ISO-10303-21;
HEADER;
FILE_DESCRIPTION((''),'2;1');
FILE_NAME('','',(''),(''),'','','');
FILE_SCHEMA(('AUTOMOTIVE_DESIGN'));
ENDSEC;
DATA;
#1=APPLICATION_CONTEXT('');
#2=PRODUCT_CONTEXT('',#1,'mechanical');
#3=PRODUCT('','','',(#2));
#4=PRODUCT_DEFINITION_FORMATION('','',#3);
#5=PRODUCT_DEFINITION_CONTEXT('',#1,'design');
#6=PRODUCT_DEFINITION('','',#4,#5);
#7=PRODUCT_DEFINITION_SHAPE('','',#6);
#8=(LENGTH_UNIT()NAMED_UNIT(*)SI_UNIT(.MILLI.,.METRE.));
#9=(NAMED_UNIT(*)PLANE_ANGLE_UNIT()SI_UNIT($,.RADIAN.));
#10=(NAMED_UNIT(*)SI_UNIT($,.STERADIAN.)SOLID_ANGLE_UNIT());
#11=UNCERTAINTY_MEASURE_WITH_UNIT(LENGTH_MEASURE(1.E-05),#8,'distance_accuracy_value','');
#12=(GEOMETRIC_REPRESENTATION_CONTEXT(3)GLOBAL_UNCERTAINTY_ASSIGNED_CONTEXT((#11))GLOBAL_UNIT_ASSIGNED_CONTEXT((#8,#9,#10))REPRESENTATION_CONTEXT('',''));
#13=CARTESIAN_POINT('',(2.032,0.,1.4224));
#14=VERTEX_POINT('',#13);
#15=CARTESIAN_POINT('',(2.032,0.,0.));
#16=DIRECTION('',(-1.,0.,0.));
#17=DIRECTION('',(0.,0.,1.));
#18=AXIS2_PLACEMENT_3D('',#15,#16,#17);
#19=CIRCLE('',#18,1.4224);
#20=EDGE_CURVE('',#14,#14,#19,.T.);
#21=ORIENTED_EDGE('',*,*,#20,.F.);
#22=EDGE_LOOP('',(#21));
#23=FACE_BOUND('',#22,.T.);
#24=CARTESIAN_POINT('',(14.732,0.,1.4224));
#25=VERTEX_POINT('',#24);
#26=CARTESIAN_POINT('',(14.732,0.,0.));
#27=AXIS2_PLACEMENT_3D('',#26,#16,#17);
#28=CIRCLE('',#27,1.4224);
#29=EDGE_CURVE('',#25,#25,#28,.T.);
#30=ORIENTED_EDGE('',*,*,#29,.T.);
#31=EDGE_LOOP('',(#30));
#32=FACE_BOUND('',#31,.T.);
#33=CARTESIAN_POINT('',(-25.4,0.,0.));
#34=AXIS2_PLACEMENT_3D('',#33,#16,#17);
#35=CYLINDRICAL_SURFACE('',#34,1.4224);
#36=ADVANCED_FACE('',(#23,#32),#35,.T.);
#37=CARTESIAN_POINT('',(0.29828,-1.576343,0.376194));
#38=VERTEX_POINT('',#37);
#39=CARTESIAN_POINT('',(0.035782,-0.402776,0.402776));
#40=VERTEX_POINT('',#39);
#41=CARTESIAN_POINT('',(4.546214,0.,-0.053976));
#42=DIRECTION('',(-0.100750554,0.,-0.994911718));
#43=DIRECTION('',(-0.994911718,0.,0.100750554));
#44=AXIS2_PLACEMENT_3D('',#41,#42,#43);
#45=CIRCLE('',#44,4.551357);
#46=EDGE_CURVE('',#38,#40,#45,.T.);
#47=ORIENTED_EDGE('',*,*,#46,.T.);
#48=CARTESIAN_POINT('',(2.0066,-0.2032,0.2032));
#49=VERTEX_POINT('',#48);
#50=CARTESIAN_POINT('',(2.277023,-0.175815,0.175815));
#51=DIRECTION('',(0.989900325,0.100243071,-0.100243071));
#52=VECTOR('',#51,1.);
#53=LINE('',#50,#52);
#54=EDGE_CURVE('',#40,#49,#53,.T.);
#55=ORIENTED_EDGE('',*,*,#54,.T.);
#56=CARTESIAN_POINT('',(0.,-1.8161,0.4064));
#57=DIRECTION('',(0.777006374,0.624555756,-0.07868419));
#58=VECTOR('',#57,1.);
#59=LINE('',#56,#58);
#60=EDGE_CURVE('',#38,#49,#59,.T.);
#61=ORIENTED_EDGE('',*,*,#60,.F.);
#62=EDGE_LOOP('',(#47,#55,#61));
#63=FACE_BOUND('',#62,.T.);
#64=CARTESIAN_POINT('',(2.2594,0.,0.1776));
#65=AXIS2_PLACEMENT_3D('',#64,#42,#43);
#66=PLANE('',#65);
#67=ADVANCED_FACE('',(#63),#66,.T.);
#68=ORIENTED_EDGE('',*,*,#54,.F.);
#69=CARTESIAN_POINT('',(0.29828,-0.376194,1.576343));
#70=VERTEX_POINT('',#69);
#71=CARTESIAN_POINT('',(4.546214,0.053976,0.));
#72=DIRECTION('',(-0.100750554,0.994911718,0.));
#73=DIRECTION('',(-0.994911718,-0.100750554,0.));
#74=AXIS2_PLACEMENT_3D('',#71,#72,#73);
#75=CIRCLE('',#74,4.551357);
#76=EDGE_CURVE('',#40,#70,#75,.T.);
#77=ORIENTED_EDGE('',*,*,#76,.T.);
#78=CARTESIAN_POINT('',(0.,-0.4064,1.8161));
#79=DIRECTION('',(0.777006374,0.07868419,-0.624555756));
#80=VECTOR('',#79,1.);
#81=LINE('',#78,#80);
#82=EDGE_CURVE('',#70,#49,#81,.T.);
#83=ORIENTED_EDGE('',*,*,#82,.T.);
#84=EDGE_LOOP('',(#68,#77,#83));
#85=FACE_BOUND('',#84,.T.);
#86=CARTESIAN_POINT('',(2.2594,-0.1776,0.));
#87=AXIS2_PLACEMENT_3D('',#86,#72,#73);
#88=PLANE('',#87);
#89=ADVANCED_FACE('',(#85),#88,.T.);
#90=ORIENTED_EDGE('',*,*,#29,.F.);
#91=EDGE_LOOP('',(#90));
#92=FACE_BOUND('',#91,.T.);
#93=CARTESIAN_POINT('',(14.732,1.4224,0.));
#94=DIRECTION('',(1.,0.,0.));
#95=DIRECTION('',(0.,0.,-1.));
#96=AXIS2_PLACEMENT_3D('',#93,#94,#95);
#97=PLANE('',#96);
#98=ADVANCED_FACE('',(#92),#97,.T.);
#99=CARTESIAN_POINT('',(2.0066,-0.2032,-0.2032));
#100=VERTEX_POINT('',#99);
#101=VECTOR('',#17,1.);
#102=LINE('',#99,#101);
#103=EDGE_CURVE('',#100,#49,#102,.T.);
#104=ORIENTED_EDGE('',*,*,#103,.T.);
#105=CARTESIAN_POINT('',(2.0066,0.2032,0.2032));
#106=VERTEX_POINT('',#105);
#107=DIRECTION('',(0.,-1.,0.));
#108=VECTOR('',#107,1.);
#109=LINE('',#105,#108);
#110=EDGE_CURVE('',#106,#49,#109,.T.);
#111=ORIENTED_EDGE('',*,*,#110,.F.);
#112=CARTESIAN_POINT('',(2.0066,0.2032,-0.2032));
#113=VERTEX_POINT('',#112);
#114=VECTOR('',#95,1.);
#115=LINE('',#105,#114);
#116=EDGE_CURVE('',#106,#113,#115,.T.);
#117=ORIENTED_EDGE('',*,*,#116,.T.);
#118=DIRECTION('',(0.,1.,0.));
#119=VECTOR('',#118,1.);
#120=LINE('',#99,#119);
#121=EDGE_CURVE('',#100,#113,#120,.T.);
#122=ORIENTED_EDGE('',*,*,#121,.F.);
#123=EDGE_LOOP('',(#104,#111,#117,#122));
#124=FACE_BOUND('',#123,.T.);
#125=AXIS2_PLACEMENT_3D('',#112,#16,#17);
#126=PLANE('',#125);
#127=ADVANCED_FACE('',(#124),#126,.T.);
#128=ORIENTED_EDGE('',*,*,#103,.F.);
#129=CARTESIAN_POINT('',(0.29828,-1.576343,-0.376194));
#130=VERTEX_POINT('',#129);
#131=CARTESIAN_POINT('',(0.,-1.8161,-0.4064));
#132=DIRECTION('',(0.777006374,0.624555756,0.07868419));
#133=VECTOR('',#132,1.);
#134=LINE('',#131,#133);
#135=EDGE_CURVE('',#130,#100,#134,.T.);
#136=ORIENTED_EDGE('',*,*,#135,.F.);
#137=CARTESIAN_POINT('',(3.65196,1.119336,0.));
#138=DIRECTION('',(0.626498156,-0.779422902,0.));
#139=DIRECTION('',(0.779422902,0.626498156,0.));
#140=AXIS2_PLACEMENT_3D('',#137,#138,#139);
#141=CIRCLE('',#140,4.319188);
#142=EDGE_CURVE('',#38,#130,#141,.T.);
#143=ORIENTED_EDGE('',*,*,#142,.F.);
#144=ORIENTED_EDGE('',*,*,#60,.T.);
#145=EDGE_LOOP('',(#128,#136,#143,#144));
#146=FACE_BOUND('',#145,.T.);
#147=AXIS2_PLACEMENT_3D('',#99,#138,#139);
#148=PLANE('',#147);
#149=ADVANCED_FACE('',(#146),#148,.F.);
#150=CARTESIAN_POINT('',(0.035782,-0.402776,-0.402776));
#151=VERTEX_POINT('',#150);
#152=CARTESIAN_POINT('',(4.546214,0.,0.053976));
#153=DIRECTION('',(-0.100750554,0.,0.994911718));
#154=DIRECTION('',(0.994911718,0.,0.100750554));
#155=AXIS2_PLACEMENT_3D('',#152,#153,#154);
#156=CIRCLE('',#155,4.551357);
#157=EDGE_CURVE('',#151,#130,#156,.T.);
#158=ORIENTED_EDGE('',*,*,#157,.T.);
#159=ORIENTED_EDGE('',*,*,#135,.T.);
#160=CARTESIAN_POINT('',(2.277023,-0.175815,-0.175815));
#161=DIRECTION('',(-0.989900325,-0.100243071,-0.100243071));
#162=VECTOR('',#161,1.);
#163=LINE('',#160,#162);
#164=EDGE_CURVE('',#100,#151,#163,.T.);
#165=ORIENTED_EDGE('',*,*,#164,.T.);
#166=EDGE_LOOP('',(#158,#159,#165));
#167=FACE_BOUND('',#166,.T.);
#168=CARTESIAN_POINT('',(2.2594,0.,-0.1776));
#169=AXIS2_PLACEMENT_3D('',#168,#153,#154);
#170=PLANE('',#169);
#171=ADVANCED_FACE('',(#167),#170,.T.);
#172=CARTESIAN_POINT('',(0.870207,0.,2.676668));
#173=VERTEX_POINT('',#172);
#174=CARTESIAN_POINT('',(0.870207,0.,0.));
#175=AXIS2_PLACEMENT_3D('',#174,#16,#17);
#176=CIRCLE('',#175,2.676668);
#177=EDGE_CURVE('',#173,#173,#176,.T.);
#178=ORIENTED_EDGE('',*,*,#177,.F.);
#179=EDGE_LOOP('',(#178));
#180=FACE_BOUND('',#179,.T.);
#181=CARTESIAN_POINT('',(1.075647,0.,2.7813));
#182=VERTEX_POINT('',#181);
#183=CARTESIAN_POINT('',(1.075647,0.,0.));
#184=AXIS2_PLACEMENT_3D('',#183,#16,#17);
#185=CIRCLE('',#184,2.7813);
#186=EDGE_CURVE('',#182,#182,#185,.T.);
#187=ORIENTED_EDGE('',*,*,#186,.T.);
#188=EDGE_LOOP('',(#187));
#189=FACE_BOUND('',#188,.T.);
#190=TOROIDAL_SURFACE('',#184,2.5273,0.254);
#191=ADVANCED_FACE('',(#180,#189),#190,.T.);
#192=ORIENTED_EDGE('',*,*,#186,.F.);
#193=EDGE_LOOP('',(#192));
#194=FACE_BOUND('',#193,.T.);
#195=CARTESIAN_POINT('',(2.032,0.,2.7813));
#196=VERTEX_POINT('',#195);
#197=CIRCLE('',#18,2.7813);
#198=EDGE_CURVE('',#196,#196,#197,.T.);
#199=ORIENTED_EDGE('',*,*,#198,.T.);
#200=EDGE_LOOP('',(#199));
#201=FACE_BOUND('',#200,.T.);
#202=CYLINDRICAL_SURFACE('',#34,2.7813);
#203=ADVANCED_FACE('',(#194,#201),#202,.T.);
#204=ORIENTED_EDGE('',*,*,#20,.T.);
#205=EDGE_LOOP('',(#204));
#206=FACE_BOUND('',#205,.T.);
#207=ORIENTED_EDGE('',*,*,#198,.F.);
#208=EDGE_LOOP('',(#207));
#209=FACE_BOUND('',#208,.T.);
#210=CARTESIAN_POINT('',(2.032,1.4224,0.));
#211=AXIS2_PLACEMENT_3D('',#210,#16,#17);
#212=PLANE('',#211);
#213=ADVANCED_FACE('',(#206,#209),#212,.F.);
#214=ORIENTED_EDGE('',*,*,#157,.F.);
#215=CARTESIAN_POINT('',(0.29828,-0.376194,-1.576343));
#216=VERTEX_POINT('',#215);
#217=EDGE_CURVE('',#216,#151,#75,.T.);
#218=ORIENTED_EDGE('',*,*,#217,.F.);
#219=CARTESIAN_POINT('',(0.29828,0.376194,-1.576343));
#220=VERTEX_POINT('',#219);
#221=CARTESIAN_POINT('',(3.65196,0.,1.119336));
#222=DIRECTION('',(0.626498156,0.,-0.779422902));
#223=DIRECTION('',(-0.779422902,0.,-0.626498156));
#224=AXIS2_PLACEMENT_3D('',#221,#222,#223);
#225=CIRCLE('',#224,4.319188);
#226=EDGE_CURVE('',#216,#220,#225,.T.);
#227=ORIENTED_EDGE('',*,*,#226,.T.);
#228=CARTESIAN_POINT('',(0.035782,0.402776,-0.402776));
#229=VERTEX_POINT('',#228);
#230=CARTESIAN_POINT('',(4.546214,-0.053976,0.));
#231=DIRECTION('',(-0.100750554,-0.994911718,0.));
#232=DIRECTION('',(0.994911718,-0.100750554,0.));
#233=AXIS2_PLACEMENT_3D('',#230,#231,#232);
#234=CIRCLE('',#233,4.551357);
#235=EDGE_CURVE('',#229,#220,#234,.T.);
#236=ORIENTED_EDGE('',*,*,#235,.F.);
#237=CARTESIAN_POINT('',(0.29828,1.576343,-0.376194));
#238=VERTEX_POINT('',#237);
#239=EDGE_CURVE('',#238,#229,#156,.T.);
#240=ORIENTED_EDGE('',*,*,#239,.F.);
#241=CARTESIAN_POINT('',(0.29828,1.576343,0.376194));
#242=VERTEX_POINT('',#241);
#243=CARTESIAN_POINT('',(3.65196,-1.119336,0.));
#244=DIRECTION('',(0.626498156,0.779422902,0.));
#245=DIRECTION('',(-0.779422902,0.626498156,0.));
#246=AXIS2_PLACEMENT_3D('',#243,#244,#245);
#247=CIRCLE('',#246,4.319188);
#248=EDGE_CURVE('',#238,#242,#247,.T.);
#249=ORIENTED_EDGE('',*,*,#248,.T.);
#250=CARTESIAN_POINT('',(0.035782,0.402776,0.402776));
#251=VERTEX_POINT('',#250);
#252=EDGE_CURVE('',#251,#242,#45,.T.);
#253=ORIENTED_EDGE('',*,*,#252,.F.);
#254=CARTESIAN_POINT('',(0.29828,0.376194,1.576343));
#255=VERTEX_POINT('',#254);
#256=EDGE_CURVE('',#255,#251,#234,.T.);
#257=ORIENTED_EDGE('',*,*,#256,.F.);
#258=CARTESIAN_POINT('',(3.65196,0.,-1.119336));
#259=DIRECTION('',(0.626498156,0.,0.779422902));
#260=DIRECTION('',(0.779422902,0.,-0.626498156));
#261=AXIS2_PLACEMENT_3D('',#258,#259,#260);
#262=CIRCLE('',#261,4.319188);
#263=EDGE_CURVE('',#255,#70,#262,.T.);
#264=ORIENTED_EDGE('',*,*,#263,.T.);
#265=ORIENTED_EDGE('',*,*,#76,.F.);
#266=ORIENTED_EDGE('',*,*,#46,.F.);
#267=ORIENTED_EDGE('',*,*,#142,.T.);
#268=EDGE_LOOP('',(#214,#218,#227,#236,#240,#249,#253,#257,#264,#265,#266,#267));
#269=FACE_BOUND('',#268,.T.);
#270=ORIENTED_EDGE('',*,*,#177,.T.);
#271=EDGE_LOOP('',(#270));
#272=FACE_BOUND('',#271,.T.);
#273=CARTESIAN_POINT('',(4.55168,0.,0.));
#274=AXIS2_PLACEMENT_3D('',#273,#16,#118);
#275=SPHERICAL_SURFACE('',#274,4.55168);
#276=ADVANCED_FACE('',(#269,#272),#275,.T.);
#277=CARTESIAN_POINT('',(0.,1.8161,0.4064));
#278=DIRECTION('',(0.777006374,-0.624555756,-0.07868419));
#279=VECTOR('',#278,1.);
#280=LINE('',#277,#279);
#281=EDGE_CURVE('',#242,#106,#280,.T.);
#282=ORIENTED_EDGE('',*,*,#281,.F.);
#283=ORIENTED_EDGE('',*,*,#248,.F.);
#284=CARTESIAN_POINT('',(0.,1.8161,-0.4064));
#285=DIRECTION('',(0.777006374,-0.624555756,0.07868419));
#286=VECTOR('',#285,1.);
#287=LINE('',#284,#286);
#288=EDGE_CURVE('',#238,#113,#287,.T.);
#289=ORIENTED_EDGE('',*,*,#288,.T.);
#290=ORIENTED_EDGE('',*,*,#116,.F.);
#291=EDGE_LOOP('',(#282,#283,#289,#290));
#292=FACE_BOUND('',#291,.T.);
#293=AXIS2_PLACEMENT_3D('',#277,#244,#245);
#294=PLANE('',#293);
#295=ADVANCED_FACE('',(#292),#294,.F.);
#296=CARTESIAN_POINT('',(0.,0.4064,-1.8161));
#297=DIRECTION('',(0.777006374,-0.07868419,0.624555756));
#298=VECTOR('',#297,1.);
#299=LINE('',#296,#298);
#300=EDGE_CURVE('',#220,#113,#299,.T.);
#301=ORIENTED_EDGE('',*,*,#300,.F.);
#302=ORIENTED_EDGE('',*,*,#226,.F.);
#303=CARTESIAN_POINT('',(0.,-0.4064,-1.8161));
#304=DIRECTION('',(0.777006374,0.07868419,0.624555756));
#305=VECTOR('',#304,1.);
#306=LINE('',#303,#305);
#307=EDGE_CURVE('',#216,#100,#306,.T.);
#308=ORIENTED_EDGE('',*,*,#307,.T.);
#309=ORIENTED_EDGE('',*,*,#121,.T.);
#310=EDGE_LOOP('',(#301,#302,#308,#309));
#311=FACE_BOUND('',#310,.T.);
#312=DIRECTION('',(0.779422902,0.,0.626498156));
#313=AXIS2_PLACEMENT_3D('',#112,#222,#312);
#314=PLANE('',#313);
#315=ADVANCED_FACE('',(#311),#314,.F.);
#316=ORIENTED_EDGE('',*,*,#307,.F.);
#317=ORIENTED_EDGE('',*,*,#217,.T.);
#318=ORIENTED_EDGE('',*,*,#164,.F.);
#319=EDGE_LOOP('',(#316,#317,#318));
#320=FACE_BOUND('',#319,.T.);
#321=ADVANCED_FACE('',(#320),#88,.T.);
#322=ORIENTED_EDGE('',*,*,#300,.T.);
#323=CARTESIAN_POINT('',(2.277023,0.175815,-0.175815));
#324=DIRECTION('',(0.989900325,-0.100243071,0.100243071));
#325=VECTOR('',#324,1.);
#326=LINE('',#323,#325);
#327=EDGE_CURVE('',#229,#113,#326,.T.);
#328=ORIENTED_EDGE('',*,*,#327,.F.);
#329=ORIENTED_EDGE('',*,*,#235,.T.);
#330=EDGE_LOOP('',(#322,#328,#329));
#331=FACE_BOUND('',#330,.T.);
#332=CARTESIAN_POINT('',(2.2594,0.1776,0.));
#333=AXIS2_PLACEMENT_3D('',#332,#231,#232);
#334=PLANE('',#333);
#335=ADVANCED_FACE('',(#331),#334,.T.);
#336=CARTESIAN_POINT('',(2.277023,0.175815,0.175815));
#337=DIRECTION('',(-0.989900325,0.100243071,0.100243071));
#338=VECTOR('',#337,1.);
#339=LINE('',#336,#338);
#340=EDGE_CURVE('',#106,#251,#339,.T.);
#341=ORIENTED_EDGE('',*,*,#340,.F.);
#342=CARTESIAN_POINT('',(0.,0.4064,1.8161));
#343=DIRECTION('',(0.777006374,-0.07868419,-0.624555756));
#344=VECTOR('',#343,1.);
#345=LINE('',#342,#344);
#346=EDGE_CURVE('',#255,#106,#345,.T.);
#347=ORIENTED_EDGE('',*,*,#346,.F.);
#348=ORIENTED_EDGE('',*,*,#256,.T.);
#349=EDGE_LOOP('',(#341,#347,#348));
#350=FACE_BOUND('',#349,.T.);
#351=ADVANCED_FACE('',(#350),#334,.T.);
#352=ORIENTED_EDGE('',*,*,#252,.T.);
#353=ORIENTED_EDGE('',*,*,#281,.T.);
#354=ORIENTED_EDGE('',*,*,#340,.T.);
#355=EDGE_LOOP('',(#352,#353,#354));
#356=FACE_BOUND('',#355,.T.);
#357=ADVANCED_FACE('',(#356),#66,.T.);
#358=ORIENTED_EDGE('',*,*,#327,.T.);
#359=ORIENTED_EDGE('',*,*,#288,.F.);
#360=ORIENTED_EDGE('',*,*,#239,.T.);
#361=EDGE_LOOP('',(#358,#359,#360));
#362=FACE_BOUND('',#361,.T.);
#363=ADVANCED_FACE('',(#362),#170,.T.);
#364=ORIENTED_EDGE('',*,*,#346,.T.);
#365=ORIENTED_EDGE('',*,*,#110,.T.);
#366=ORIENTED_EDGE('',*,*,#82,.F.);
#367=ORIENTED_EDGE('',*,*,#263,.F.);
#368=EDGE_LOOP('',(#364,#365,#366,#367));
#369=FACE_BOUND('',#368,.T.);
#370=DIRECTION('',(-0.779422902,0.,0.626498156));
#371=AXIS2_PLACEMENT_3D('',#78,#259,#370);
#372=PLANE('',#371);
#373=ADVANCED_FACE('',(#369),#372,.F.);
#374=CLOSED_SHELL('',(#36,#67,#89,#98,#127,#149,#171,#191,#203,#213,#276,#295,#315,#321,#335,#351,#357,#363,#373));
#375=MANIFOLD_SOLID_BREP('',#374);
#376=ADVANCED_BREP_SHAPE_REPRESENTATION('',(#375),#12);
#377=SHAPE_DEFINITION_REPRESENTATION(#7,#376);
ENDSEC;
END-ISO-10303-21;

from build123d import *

# Parameters (mm, degrees)
SKETCH3_W         = 0.8128
SKETCH3_H         = 3.6322
SKETCH4_W         = 0.4064
SKETCH4_H         = 0.4064
CIRPATTERN1_COUNT = 2
CIRPATTERN1_ANGLE = 90


with BuildPart() as part:
    # BodySke → Base-Revolve (revolve)
    with BuildSketch(Plane.XY):
        with BuildLine():
            Line((2.032, 1.4224), (2.032, 2.7813))
            Line((2.032, 2.7813), (1.075646615, 2.7813))
            ThreePointArc((1.075646615, 2.7813), (0.960371669, 2.753635341), (0.87020729, 2.676667612))
            ThreePointArc((0.87020729, 2.676667612), (0.223015279, 1.407285528), (0, 0))
            Line((0, 0), (14.732, 0))
            Line((14.732, 0), (14.732, 1.4224))
            Line((14.732, 1.4224), (2.032, 1.4224))
        make_face()
    revolve(axis=Axis((-25.4, 0, 0), (1, 0, 0)))

    # Sketch3 → Cut-Loft1 section 0
    with BuildSketch(Plane(origin=(0, 0, 0), x_dir=(0, 0, -1), z_dir=(1, 0, 0))):
        Rectangle(SKETCH3_W, SKETCH3_H)
    # Sketch4 → Cut-Loft1 section 1
    with BuildSketch(Plane(origin=(2.0066, 0, 0), x_dir=(0, 0, -1), z_dir=(1, 0, 0))):
        Rectangle(SKETCH4_W, SKETCH4_H)
    cut_loft1 = loft(mode=Mode.SUBTRACT)

    # CirPattern1: Cut-Loft1 ×2 about axis
    cirpattern1_axis = Axis((0, 0, 0), (1, 0, 0))
    for i in range(1, CIRPATTERN1_COUNT):
        add(cut_loft1.rotate(cirpattern1_axis, i * CIRPATTERN1_ANGLE / (CIRPATTERN1_COUNT - 1)), mode=Mode.SUBTRACT)


solid = part.part
